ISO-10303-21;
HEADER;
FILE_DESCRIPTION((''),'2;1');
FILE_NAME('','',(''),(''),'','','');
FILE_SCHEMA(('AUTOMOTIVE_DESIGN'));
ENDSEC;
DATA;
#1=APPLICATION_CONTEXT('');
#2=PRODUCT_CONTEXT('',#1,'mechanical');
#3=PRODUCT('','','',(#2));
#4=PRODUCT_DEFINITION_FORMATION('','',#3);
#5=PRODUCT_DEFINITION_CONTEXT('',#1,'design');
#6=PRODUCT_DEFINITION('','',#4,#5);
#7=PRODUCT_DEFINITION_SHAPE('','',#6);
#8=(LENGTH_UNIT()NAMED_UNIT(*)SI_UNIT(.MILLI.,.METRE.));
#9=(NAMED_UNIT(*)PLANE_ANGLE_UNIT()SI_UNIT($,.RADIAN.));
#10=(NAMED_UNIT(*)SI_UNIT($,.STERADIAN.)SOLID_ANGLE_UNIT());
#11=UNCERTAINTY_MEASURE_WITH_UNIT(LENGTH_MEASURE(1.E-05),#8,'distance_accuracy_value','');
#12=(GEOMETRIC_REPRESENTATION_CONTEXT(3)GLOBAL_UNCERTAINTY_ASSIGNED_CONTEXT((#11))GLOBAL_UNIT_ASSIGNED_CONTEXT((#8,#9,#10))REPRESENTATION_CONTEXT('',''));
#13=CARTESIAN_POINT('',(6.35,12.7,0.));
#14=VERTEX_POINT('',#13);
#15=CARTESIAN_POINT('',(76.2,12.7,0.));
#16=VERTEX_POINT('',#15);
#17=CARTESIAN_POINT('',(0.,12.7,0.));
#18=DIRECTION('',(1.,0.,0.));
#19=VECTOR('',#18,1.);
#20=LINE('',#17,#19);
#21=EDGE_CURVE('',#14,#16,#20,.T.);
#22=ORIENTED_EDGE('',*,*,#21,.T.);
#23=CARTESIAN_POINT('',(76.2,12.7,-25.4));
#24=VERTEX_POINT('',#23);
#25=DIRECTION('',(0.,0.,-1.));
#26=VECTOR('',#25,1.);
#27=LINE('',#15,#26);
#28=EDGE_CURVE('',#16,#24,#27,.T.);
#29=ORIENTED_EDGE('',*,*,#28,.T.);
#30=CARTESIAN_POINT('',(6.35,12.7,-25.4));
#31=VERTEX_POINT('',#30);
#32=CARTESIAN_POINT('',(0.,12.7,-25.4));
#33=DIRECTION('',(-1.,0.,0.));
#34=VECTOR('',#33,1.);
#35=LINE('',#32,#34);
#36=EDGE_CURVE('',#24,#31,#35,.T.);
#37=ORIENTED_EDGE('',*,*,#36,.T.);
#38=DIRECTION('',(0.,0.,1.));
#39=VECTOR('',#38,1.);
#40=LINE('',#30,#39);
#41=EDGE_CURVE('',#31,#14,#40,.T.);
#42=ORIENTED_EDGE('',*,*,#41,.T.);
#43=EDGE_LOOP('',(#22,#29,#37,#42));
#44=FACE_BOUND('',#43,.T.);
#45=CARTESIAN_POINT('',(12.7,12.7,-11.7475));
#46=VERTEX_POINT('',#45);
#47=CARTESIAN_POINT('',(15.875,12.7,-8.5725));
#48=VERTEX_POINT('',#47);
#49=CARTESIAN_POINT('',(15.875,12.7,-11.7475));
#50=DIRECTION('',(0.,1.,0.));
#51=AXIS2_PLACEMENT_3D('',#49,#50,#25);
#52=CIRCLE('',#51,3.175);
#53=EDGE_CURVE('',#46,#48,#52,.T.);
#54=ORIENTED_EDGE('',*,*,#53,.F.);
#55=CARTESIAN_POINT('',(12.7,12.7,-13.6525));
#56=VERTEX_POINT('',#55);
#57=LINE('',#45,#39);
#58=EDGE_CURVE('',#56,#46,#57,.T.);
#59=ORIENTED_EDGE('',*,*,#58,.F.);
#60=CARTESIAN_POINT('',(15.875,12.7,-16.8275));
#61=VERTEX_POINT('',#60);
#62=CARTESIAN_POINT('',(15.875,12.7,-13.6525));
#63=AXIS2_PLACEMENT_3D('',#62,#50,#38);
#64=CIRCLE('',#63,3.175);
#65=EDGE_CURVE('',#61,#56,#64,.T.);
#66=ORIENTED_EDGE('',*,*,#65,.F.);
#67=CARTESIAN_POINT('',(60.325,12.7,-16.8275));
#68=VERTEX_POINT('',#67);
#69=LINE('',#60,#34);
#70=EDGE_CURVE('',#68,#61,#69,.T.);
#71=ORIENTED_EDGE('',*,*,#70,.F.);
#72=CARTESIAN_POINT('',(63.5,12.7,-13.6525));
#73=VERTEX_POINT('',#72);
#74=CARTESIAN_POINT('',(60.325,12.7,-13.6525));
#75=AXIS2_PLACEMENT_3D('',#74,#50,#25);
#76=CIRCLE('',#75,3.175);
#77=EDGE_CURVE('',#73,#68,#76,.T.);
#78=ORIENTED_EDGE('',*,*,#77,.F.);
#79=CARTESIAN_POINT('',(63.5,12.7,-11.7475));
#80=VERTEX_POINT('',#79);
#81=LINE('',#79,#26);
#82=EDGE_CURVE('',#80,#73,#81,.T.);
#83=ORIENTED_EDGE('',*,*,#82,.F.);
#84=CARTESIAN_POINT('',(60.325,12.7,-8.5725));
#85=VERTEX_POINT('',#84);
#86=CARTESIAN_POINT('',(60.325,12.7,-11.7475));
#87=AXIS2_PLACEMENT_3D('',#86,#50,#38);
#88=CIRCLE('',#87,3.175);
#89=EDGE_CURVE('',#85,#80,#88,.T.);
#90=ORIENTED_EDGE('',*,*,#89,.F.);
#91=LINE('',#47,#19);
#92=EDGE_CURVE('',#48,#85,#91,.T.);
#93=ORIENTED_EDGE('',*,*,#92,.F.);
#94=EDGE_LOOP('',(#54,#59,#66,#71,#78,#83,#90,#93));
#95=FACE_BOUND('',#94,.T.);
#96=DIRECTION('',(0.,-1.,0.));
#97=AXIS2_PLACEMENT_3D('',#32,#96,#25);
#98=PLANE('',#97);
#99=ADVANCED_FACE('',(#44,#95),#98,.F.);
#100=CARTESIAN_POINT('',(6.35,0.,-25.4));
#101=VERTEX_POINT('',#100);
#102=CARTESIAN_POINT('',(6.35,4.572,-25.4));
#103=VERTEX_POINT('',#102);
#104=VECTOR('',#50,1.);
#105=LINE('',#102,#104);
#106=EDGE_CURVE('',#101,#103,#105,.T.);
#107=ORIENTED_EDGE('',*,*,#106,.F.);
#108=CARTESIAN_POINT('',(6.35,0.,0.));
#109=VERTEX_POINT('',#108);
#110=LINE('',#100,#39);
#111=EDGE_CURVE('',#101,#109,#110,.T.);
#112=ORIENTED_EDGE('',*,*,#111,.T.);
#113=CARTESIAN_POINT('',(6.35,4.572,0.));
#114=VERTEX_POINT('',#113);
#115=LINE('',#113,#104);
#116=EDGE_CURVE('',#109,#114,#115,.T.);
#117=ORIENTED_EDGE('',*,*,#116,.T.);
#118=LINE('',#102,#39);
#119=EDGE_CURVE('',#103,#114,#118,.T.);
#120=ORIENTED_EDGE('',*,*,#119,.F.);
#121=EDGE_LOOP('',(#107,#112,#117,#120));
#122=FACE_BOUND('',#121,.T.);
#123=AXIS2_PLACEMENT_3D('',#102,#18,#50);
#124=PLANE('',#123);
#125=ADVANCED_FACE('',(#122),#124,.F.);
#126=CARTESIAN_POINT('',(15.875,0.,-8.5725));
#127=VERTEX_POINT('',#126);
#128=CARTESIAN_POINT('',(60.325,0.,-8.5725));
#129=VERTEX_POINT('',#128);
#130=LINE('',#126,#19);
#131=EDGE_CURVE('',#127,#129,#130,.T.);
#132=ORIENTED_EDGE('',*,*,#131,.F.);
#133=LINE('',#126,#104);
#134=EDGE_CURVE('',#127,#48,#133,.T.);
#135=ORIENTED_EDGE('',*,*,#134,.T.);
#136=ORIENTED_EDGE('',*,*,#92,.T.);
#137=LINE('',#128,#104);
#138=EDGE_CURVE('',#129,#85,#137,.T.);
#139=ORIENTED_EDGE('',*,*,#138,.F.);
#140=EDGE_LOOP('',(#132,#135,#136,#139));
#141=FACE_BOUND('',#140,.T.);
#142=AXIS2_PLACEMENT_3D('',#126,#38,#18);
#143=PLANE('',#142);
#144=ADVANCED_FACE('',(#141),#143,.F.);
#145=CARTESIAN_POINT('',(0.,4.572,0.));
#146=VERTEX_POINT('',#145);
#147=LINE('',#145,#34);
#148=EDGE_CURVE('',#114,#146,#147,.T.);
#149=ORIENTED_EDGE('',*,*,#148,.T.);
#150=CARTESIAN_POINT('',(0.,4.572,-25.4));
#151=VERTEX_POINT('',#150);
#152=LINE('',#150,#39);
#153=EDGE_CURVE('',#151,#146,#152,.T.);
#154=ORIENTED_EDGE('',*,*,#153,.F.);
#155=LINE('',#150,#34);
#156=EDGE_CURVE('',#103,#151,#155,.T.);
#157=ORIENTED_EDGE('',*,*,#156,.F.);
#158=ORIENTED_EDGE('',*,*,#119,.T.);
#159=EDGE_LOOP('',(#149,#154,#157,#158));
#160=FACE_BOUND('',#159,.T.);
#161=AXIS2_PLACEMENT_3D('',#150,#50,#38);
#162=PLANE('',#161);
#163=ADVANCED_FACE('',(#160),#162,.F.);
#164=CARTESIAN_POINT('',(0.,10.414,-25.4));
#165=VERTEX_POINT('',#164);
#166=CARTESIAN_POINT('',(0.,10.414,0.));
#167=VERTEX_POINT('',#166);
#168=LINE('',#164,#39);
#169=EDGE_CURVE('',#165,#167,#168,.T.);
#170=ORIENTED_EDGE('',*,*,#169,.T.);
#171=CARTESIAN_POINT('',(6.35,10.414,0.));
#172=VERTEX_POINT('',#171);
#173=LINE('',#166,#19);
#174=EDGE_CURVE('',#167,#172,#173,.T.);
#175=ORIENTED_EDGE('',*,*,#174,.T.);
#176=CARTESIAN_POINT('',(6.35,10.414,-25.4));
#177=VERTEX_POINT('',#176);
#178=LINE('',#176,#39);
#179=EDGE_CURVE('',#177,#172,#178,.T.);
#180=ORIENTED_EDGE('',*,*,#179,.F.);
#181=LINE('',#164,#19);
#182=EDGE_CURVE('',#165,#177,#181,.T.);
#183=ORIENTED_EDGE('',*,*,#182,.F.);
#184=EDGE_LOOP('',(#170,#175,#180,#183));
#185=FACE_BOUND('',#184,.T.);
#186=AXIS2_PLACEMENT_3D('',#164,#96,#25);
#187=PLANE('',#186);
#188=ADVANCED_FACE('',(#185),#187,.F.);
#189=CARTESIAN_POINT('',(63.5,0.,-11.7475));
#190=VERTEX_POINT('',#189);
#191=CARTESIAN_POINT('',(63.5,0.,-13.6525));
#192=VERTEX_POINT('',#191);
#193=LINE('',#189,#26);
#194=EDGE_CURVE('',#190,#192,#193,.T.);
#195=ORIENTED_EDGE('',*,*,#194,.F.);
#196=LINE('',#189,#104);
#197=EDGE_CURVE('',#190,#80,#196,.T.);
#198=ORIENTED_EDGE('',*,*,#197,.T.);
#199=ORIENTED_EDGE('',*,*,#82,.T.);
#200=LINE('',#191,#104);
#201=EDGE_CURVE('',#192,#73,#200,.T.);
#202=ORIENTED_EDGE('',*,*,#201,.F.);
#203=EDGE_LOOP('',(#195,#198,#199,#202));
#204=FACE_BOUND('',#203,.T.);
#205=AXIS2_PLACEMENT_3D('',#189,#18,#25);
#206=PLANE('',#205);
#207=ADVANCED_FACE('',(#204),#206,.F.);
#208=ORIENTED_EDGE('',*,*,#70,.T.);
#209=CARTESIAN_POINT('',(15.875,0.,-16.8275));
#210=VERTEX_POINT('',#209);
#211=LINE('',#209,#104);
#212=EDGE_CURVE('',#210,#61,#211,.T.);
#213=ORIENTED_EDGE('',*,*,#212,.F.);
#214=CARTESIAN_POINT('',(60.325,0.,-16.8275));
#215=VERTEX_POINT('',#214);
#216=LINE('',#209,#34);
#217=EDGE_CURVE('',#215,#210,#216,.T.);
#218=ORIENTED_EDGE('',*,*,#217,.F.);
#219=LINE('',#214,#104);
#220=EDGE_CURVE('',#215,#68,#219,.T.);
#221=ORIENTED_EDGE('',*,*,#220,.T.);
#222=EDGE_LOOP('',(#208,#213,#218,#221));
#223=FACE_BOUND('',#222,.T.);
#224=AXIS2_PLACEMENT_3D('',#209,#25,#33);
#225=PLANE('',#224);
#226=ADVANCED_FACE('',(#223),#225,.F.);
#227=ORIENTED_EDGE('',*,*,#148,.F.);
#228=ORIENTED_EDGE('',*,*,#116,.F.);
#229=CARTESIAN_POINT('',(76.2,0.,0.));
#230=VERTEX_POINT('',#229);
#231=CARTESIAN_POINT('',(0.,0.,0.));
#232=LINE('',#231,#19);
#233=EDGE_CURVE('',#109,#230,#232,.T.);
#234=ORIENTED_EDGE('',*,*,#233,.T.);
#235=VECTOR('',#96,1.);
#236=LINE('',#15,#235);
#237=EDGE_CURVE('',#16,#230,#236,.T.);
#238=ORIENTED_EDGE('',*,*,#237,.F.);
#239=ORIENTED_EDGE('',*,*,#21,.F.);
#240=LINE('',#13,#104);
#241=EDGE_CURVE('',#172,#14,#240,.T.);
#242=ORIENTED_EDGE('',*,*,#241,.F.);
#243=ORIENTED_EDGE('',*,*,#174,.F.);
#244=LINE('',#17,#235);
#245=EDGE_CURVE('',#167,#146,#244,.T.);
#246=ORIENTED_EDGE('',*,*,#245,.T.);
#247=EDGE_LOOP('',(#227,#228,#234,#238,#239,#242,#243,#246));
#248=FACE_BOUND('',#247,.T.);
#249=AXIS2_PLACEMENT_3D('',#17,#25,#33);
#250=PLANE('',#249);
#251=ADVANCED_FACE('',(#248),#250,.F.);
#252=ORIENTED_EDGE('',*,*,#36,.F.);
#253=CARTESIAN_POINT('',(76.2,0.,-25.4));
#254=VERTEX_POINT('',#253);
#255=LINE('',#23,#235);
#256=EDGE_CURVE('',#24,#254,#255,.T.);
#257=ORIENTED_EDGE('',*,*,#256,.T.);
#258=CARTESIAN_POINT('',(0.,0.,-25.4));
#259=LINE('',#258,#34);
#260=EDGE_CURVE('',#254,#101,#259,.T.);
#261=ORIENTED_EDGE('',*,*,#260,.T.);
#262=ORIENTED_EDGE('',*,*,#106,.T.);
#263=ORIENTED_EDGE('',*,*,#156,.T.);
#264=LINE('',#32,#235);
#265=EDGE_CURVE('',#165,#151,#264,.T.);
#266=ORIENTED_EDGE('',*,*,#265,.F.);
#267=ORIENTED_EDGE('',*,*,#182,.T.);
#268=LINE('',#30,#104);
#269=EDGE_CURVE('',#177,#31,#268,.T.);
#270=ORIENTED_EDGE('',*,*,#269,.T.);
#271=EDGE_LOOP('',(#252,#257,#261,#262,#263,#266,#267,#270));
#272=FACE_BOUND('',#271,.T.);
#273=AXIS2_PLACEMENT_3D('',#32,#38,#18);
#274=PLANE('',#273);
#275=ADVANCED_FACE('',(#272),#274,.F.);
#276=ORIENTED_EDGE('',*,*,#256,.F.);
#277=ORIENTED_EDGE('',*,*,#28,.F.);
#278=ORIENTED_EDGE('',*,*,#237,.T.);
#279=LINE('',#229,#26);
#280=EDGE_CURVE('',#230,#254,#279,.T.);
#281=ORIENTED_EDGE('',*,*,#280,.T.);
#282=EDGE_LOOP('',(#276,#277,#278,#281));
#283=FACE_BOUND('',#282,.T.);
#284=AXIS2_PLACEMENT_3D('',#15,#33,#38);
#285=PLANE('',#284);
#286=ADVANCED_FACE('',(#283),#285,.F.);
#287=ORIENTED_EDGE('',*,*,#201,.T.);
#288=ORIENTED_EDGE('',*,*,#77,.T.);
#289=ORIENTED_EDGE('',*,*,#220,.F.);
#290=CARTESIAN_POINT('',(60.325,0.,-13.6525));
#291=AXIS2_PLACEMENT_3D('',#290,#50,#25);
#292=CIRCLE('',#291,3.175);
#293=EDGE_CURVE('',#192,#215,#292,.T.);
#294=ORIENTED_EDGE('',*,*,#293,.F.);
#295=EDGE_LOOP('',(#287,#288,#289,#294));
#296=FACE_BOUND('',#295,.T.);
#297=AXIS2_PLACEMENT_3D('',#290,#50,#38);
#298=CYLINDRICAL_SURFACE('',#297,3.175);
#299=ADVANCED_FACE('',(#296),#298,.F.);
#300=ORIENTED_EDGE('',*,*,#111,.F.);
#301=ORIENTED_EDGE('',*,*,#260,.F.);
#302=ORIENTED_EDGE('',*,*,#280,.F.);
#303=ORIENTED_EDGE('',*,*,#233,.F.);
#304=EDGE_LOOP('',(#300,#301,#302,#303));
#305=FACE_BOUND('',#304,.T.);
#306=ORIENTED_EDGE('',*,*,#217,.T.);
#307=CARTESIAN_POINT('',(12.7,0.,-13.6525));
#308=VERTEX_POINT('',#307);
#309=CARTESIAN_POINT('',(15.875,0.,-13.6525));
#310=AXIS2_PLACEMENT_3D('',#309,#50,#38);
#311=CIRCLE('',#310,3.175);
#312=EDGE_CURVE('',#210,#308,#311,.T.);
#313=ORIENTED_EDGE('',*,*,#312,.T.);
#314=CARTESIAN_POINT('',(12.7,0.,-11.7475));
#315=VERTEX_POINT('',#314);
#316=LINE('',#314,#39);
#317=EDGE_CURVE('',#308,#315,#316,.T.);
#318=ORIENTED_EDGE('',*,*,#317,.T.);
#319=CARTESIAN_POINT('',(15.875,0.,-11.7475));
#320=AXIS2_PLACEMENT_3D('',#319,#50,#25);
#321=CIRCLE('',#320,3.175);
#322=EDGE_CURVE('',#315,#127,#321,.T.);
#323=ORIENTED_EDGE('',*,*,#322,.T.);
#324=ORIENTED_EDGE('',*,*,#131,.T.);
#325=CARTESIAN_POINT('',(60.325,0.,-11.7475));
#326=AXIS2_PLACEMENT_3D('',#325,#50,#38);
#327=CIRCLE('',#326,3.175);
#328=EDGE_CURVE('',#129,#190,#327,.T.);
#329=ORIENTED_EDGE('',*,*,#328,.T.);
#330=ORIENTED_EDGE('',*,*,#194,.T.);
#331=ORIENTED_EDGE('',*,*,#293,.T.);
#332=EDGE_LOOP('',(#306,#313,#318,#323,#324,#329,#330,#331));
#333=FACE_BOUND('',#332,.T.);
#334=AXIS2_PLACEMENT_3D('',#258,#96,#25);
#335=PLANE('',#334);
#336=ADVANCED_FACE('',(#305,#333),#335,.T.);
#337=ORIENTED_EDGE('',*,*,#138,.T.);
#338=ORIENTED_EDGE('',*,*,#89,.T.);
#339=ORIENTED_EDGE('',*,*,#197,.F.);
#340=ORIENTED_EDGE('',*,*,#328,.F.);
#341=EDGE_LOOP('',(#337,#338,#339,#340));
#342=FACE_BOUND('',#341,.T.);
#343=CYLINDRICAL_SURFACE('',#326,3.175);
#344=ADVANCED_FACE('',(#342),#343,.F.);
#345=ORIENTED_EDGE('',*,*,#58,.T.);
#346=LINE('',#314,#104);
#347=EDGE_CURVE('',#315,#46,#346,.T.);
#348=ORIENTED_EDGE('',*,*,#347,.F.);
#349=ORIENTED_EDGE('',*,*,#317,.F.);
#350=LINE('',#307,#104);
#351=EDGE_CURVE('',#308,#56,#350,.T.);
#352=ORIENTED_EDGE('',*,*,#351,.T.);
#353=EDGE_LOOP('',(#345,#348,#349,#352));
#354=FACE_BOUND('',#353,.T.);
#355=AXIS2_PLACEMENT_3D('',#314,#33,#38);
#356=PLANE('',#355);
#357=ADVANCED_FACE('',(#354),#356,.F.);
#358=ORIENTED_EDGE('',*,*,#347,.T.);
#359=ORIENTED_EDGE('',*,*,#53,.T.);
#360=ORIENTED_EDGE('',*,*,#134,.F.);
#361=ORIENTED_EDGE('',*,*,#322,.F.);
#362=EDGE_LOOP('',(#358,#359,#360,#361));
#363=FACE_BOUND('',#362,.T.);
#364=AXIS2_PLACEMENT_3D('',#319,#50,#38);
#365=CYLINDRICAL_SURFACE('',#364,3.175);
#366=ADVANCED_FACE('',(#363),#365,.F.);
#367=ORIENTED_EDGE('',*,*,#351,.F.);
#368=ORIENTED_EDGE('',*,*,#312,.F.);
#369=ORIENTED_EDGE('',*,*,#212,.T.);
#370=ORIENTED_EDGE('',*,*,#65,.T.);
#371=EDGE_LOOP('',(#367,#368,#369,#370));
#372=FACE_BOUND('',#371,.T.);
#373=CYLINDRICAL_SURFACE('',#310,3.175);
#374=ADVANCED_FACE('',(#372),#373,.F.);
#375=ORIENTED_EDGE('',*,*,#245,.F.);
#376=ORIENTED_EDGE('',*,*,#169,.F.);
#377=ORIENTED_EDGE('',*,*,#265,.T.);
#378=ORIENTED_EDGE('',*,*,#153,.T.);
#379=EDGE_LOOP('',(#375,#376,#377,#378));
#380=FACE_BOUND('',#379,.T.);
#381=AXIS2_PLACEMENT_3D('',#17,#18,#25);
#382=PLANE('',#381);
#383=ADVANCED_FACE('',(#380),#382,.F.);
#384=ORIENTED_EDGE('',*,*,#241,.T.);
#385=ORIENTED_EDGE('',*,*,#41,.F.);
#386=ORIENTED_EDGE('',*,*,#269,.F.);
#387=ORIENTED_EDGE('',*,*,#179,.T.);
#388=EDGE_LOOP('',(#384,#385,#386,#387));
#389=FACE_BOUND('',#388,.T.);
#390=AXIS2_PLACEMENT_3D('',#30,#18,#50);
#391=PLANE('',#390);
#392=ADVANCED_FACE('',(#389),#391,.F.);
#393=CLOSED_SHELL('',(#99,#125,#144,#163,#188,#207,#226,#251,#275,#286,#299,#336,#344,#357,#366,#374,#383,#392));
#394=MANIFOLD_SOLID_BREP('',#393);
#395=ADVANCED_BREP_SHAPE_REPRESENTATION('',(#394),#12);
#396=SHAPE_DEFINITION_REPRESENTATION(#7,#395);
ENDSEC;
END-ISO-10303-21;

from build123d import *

# Parameters (mm, degrees)
SKETCH1_W           = 76.2
SKETCH1_H           = 25.4
BOSS_EXTRUDE1_DEPTH = 12.7
CUT_EXTRUDE1_DEPTH  = 13.7
SKETCH4_W           = 6.35
SKETCH4_H           = 4.572
SKETCH4_H_2         = 2.286
CUT_EXTRUDE2_DEPTH  = 26.4


with BuildPart() as part:
    # Sketch1 → Boss-Extrude1 (new body)
    with BuildSketch(Plane(origin=(0, 0, 0), x_dir=(1, 0, 0), z_dir=(0, 1, 0))):
        with Locations((38.1, 12.7)):
            Rectangle(SKETCH1_W, SKETCH1_H)
    extrude(amount=BOSS_EXTRUDE1_DEPTH)

    # Sketch3 → Cut-Extrude1 (cut, through all)
    with BuildSketch(Plane(origin=(0, 12.7, 0), x_dir=(1, 0, 0), z_dir=(0, 1, 0))):
        with BuildLine():
            Line((15.875, 8.5725), (60.325, 8.5725))
            ThreePointArc((60.325, 8.5725), (62.57006403, 9.50243597), (63.5, 11.7475))
            Line((63.5, 11.7475), (63.5, 13.6525))
            ThreePointArc((63.5, 13.6525), (62.57006403, 15.89756403), (60.325, 16.8275))
            Line((60.325, 16.8275), (15.875, 16.8275))
            ThreePointArc((15.875, 16.8275), (13.62993597, 15.89756403), (12.7, 13.6525))
            Line((12.7, 13.6525), (12.7, 11.7475))
            ThreePointArc((12.7, 11.7475), (13.62993597, 9.50243597), (15.875, 8.5725))
        make_face()
    extrude(amount=-CUT_EXTRUDE1_DEPTH, mode=Mode.SUBTRACT)

    # Sketch4 → Cut-Extrude2 (cut, through all)
    with BuildSketch(Plane.XY):
        with Locations((3.175, 2.286)):
            Rectangle(SKETCH4_W, SKETCH4_H)
        with Locations((3.175, 11.557)):
            Rectangle(SKETCH4_W, SKETCH4_H_2)
    extrude(amount=-CUT_EXTRUDE2_DEPTH, mode=Mode.SUBTRACT)


solid = part.part
